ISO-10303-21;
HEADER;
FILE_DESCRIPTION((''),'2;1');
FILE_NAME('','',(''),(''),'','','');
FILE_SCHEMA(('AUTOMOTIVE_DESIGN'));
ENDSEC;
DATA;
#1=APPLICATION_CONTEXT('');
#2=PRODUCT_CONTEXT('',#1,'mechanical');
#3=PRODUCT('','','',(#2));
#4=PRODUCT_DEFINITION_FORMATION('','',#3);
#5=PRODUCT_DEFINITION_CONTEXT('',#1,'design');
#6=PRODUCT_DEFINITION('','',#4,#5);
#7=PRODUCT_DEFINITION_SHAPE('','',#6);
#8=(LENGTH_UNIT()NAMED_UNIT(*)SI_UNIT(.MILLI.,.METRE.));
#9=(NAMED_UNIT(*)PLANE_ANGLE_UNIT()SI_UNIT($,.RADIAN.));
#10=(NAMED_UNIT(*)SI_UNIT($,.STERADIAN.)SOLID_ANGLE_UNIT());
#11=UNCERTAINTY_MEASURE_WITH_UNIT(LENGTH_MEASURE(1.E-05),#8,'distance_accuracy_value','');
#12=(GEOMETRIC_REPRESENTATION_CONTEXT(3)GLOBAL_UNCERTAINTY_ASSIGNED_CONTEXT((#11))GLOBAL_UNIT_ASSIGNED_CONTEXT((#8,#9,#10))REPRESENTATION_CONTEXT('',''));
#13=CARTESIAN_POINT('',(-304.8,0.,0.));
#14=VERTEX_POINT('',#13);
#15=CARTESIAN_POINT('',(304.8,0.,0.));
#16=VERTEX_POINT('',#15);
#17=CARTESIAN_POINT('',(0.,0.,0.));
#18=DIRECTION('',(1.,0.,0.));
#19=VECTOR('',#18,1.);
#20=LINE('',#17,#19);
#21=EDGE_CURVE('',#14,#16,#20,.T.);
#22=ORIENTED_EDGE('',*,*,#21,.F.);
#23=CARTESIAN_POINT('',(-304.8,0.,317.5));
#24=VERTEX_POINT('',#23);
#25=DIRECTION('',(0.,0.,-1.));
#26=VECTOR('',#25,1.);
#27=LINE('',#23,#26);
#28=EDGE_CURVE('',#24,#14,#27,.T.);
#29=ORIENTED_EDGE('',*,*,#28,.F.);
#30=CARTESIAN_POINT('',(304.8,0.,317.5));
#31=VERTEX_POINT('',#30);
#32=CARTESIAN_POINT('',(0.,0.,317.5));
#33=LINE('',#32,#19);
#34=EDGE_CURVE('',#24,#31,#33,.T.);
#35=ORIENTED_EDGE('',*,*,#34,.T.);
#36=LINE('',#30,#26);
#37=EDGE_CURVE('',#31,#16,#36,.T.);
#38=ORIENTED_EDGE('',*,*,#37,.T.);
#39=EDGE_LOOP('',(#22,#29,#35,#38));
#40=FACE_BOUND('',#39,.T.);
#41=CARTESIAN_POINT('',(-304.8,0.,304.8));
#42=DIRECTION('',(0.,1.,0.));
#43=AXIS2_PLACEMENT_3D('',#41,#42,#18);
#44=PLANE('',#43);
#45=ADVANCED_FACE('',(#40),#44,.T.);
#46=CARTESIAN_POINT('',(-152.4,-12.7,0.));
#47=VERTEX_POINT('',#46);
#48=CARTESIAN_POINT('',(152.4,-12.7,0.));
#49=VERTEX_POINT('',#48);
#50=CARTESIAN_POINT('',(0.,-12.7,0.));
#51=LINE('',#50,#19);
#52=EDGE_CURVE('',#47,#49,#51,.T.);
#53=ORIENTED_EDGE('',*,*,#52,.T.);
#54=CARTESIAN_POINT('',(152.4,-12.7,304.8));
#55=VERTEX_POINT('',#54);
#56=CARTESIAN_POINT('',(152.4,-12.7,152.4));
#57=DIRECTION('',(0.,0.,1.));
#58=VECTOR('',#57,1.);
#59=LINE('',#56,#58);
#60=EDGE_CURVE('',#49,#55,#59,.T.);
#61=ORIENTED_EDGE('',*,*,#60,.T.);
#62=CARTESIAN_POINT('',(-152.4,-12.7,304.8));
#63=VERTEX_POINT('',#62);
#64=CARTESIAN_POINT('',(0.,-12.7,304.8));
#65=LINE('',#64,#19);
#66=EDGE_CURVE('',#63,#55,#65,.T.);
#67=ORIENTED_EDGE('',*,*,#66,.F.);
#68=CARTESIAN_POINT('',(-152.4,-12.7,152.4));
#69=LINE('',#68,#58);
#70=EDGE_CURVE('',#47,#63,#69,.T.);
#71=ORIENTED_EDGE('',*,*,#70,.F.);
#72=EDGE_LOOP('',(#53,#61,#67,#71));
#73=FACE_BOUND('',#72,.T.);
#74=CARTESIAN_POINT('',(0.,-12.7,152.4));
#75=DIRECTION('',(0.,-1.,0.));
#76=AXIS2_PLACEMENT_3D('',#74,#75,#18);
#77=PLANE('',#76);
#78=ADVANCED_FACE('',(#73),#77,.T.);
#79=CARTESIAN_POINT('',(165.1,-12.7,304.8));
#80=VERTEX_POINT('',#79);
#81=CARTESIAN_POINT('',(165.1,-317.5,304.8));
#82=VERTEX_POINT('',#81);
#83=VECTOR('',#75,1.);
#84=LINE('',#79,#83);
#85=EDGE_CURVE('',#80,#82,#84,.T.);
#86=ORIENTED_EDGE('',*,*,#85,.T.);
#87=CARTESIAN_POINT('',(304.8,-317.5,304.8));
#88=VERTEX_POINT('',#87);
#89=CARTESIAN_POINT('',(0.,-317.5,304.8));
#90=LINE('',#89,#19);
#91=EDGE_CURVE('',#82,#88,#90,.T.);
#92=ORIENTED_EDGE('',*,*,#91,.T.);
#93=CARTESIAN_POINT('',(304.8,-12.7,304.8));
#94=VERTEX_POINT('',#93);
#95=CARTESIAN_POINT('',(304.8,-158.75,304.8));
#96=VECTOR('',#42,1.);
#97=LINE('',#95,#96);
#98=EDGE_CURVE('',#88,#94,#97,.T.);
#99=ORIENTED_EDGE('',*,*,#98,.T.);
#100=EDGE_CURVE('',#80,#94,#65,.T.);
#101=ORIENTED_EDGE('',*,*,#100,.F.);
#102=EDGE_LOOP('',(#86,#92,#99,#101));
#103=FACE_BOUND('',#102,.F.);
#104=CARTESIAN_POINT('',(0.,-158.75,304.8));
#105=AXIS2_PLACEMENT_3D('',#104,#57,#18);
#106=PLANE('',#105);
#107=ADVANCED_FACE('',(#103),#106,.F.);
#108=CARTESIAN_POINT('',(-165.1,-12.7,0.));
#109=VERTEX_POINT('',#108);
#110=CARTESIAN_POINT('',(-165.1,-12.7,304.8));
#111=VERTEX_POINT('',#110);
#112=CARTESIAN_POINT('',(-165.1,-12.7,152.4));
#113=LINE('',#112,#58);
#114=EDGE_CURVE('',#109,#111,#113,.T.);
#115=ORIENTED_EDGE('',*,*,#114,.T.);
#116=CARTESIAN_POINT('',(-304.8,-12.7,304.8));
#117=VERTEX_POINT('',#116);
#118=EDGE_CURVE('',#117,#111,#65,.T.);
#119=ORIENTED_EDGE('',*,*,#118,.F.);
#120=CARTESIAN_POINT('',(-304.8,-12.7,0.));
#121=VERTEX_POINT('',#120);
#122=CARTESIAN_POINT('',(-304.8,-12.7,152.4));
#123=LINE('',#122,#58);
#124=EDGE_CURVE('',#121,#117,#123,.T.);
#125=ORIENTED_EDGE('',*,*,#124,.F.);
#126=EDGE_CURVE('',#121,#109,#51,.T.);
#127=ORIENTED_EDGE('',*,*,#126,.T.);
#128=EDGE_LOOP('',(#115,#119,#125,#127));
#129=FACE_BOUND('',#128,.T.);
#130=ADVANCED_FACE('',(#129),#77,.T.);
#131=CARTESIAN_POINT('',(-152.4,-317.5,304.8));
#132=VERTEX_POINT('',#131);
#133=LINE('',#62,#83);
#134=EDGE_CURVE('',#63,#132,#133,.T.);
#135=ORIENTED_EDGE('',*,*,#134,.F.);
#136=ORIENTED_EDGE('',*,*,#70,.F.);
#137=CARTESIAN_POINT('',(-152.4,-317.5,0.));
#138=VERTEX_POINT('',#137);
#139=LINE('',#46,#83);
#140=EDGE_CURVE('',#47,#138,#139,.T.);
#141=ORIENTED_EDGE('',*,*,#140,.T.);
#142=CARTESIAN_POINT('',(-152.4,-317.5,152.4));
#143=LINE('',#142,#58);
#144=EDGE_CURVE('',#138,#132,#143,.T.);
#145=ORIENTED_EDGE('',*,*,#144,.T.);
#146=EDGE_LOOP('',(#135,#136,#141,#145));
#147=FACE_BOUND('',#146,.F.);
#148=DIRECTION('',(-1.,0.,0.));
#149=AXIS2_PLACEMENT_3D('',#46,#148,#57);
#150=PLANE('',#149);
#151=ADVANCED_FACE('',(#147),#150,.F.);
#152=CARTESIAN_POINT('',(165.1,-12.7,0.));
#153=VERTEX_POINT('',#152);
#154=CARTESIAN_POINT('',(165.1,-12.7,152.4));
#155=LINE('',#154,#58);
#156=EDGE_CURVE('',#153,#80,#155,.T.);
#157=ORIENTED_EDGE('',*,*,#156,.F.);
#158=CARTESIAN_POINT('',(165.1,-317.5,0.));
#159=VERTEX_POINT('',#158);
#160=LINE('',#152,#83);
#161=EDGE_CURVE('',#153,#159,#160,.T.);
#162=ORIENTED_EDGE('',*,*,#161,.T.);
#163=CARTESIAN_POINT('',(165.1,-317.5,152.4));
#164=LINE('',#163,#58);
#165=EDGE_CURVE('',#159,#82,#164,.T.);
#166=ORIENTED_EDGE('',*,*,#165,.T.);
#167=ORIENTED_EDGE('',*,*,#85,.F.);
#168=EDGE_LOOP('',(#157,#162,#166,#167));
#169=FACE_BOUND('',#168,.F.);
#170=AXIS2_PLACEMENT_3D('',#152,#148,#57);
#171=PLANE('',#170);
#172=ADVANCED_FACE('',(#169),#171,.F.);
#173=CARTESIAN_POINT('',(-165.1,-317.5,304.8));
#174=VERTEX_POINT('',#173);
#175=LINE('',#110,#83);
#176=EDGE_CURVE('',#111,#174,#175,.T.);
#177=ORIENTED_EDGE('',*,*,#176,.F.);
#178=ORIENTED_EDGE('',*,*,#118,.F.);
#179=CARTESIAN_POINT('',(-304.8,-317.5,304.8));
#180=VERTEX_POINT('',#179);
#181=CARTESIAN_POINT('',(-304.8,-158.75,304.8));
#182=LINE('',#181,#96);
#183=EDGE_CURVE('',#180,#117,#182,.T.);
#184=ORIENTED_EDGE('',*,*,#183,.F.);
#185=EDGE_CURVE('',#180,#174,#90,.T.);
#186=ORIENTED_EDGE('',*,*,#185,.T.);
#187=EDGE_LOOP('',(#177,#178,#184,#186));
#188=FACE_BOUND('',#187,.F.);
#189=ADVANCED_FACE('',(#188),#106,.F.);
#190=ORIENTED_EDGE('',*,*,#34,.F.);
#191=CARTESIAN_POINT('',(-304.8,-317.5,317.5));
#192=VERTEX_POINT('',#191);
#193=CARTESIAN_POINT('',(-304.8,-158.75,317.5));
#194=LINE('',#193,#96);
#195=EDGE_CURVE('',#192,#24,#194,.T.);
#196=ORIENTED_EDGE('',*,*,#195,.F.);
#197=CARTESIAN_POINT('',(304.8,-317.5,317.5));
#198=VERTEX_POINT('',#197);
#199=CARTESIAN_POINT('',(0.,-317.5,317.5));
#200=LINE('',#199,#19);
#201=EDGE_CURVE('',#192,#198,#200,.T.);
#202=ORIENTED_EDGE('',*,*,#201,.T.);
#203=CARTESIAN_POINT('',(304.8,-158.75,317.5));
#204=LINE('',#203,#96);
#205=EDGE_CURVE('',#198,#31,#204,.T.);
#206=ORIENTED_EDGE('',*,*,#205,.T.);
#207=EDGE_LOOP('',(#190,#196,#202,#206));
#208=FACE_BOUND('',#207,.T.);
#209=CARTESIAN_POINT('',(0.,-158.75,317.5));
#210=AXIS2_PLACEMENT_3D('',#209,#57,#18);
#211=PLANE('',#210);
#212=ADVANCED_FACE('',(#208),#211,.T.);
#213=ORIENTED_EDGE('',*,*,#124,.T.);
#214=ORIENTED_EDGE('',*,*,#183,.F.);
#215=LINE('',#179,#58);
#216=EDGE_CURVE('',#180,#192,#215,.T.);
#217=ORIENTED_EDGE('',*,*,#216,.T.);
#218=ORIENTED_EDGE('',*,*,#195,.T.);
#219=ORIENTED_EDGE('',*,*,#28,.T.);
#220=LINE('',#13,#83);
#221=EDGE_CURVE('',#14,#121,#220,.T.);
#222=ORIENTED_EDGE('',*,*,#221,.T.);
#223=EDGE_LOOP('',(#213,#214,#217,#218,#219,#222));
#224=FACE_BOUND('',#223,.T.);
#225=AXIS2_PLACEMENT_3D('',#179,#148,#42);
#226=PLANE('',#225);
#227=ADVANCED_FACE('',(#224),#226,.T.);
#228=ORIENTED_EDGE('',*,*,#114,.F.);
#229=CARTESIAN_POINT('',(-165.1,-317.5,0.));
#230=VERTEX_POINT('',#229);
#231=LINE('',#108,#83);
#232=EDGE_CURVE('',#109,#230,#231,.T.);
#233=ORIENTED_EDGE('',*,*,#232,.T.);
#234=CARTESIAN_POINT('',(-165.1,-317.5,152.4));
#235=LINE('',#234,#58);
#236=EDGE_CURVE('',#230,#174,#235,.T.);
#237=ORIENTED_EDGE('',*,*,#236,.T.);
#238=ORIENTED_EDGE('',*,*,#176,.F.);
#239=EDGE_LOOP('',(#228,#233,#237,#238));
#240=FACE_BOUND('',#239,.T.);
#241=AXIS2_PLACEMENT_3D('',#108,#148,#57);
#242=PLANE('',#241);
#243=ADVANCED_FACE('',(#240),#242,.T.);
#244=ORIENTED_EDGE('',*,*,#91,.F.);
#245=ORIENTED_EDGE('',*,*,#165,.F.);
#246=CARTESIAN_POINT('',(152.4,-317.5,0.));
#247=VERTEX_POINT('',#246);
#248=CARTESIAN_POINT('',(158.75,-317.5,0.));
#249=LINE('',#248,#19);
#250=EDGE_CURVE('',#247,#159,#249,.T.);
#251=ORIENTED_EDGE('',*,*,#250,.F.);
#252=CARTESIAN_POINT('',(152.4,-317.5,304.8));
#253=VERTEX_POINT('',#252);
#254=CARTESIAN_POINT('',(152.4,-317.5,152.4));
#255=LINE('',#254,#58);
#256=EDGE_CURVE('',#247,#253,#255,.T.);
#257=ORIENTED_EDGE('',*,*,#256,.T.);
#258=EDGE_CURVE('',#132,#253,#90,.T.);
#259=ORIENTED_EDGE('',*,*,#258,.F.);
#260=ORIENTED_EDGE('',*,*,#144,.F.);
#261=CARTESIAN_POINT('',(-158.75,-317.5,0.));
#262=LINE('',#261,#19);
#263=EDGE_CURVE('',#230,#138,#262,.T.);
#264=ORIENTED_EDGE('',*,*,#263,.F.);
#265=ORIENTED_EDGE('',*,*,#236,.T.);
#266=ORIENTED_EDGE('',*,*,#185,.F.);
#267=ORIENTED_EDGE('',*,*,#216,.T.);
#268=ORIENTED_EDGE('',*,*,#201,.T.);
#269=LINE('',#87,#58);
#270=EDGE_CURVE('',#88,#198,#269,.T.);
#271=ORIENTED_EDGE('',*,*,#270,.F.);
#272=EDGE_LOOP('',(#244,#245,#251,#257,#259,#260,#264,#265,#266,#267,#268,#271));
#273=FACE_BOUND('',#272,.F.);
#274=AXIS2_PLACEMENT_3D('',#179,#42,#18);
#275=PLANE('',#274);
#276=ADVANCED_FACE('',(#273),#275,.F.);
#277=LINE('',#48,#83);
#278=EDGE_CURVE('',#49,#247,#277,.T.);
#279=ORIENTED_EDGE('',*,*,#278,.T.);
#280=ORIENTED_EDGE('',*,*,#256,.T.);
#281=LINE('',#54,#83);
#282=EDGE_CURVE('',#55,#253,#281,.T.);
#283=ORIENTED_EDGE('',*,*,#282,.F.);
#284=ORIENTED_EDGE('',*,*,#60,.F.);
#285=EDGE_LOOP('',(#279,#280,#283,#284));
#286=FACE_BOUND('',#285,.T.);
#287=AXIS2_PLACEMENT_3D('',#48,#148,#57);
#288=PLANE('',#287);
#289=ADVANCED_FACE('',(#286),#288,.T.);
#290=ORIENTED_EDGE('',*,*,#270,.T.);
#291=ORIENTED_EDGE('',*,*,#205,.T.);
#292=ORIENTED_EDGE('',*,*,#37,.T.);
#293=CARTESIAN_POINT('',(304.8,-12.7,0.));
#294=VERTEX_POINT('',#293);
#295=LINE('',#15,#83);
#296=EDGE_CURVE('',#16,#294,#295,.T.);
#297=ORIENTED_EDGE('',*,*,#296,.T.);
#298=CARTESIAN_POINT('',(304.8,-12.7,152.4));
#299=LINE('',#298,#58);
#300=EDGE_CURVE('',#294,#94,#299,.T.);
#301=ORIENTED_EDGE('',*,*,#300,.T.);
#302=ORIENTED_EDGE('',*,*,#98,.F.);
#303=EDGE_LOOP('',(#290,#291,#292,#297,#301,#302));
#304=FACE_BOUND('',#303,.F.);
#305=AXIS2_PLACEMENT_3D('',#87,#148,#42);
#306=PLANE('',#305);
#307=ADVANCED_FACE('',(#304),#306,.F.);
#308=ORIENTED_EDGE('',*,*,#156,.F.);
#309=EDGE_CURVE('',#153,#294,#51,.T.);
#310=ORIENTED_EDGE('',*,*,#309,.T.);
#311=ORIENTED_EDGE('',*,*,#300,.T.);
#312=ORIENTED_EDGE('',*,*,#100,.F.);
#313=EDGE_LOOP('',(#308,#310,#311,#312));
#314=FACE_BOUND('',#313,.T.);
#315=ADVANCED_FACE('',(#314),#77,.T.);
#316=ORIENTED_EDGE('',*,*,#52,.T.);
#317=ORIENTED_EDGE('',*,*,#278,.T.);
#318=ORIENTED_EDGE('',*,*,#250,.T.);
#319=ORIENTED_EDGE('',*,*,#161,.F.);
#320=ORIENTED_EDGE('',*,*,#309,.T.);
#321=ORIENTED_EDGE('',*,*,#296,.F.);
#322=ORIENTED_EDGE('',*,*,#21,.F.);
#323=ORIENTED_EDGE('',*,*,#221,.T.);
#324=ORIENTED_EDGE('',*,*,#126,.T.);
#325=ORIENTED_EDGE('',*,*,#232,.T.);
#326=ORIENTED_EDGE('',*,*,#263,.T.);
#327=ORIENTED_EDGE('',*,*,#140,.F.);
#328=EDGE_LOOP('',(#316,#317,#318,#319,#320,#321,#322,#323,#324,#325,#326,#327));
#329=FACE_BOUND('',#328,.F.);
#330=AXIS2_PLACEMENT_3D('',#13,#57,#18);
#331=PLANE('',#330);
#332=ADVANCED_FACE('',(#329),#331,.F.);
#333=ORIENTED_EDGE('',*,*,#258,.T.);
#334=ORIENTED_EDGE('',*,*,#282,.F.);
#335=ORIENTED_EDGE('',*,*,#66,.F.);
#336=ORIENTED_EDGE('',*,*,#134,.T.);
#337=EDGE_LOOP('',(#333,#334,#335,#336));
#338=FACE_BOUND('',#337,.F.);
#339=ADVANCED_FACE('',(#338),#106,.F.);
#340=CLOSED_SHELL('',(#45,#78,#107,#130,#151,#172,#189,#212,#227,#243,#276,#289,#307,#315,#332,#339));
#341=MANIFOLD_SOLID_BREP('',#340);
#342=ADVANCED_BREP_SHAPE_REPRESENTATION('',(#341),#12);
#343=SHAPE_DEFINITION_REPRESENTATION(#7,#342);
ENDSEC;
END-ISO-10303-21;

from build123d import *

# Parameters (mm, degrees)
F0_W     = 609.6
F0_H     = 304.8
F1_DEPTH = 12.7
F2_W     = 12.7
F2_H     = 304.8
F3_DEPTH = 304.8
F4_W     = 609.6
F4_H     = 317.5
F5_DEPTH = 12.7


with BuildPart() as f1:
    # F0 (on Front) → F1 (new body)
    with BuildSketch(Plane.XZ):
        with Locations((0, 152.4)):
            Rectangle(F0_W, F0_H)
    extrude(amount=F1_DEPTH)

    # F2 (on face) → F3 (join)
    with BuildSketch(Plane.XZ.offset(12.7)):
        with Locations((-158.75, 152.4)):
            Rectangle(F2_W, F2_H)
        with Locations((158.75, 152.4)):
            Rectangle(F2_W, F2_H)
    extrude(amount=F3_DEPTH)

    # F4 (on face) → F5 (join)
    with BuildSketch(Plane.XY.offset(304.8)):
        with Locations((0, -158.75)):
            Rectangle(F4_W, F4_H)
    extrude(amount=F5_DEPTH)


solid = f1.part
